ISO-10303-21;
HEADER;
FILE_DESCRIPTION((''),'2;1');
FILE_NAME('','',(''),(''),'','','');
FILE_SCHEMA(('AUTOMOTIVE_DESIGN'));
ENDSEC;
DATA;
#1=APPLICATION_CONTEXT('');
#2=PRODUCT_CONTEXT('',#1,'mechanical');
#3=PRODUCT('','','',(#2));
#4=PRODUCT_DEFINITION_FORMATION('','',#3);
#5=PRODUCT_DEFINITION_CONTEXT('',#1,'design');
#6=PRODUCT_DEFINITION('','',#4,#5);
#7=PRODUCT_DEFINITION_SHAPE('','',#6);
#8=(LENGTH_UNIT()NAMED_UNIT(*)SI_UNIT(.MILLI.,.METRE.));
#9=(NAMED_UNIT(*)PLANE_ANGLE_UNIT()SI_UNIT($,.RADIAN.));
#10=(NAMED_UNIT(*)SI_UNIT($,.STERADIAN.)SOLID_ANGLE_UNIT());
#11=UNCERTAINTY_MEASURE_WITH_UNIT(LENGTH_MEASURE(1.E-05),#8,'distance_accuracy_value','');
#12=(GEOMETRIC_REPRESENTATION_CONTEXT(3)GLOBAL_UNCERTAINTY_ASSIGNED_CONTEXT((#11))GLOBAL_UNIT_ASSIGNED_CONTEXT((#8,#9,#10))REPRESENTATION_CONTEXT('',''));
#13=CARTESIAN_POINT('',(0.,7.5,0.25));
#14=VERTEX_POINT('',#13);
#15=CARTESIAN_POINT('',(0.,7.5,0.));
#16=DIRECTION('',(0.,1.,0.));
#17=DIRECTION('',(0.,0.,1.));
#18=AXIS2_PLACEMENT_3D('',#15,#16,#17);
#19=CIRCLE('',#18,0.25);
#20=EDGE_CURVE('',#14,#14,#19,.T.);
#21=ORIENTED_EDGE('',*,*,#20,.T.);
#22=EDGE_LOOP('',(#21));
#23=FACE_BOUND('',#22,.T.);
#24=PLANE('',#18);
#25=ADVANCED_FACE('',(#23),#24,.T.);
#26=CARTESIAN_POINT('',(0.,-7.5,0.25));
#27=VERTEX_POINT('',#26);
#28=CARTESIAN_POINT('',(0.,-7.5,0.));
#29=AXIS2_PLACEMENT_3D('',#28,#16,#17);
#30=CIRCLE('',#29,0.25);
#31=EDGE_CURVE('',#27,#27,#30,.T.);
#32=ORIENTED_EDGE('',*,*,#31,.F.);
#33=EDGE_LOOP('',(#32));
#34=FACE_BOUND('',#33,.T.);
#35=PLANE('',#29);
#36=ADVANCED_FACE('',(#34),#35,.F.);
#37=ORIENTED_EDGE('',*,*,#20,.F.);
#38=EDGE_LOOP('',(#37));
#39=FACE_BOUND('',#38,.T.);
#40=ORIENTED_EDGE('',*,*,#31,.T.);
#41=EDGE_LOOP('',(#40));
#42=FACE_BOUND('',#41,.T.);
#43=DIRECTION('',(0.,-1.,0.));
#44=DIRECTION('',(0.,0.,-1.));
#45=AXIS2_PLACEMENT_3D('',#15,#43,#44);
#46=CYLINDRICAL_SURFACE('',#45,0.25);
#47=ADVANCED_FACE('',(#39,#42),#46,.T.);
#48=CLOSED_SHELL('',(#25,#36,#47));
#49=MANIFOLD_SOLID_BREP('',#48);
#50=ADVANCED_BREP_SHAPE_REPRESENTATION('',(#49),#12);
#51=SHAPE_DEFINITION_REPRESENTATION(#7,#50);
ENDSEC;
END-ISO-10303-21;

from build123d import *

# Parameters (mm, degrees)
SKETCH1_R           = 0.25
BOSS_EXTRUDE1_DEPTH = 7.5


with BuildPart() as part:
    # Sketch1 → Boss-Extrude1 (new body, symmetric)
    with BuildSketch(Plane(origin=(0, 0, 0), x_dir=(1, 0, 0), z_dir=(0, 1, 0))):
        Circle(SKETCH1_R)
    extrude(amount=BOSS_EXTRUDE1_DEPTH, both=True)


solid = part.part
